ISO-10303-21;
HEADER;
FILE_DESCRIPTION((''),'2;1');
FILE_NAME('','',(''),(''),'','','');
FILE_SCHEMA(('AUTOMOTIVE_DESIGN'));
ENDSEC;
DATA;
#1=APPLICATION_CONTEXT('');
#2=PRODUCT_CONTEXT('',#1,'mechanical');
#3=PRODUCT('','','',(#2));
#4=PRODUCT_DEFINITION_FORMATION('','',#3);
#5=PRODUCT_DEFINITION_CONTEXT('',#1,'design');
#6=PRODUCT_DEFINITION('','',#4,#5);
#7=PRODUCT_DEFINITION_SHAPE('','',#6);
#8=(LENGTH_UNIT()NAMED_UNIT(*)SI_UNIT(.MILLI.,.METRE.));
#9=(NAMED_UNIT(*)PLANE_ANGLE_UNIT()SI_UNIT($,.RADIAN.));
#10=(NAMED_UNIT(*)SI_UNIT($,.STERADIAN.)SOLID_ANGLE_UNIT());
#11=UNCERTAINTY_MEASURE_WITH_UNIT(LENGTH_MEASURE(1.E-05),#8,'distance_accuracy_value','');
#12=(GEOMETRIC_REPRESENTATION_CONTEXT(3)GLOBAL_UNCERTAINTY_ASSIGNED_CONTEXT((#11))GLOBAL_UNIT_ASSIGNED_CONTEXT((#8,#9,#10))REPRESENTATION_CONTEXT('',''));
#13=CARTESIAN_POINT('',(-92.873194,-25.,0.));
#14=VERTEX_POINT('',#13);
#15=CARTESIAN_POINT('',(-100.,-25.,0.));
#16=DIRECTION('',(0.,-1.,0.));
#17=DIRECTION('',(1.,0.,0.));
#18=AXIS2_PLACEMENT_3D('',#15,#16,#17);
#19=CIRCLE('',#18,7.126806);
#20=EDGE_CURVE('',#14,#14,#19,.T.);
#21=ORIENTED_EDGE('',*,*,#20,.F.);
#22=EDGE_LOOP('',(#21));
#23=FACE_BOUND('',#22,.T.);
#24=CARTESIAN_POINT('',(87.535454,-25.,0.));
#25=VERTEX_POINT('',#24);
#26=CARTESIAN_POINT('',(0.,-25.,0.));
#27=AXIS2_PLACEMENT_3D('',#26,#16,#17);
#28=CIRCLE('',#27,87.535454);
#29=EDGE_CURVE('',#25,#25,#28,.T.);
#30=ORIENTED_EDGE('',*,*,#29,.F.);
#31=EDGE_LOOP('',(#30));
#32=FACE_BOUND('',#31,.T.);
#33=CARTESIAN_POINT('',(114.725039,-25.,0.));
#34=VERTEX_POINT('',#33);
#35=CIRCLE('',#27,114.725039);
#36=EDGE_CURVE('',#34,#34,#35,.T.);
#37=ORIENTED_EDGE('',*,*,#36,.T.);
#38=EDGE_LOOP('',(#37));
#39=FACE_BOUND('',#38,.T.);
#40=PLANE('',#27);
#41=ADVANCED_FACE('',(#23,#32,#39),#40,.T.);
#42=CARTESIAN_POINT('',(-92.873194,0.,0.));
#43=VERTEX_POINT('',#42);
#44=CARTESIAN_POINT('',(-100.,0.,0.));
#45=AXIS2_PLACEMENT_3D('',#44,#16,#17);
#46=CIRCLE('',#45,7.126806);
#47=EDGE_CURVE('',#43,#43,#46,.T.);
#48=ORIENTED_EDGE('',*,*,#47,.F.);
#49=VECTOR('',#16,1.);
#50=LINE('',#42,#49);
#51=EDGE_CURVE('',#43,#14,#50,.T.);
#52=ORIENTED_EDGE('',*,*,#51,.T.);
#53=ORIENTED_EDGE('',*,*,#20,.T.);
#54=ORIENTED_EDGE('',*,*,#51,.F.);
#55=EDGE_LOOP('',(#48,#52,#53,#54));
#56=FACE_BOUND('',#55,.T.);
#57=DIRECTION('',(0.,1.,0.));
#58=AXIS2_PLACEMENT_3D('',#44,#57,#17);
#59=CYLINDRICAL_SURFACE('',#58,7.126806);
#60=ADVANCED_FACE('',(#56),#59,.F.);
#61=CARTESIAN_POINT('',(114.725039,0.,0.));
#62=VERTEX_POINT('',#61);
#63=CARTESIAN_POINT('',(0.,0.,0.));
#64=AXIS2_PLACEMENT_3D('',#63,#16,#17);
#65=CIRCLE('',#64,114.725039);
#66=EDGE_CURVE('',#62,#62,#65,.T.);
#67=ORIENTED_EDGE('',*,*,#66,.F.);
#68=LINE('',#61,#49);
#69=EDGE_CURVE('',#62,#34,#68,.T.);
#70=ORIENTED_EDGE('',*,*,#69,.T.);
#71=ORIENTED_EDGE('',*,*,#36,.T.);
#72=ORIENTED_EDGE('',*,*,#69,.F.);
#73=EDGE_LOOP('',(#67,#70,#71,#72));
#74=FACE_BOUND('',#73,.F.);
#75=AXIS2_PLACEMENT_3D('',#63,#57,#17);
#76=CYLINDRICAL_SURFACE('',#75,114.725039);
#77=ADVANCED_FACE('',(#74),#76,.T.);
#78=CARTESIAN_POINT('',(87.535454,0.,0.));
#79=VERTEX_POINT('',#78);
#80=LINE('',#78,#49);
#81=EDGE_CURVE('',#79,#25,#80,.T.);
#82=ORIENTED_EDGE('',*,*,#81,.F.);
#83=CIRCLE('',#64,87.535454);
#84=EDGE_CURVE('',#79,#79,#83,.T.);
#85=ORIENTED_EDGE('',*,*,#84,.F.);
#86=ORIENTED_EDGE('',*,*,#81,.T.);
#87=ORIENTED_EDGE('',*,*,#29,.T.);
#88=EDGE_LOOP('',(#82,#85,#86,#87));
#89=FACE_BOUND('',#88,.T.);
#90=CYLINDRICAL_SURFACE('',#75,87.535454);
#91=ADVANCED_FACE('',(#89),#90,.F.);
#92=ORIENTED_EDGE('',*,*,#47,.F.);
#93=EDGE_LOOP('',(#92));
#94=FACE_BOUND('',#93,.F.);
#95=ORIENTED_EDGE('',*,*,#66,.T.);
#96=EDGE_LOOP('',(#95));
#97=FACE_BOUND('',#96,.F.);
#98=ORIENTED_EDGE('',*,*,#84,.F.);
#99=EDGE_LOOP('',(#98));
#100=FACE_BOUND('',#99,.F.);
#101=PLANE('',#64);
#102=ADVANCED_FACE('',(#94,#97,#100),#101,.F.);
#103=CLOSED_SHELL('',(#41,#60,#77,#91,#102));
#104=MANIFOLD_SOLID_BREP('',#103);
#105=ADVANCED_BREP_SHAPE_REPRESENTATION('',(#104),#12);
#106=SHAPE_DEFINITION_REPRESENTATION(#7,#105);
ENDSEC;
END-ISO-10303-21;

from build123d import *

# Parameters (mm, degrees)
F0_R     = 114.725039
F0_R_2   = 7.126806
F0_R_3   = 87.535454
F1_DEPTH = 25


with BuildPart() as f1:
    # F0 (on Front) → F1 (new body)
    with BuildSketch(Plane.XZ):
        Circle(F0_R)
        with Locations((-100, 0)):
            Circle(F0_R_2, mode=Mode.SUBTRACT)
        Circle(F0_R_3, mode=Mode.SUBTRACT)
    extrude(amount=F1_DEPTH)


solid = f1.part
